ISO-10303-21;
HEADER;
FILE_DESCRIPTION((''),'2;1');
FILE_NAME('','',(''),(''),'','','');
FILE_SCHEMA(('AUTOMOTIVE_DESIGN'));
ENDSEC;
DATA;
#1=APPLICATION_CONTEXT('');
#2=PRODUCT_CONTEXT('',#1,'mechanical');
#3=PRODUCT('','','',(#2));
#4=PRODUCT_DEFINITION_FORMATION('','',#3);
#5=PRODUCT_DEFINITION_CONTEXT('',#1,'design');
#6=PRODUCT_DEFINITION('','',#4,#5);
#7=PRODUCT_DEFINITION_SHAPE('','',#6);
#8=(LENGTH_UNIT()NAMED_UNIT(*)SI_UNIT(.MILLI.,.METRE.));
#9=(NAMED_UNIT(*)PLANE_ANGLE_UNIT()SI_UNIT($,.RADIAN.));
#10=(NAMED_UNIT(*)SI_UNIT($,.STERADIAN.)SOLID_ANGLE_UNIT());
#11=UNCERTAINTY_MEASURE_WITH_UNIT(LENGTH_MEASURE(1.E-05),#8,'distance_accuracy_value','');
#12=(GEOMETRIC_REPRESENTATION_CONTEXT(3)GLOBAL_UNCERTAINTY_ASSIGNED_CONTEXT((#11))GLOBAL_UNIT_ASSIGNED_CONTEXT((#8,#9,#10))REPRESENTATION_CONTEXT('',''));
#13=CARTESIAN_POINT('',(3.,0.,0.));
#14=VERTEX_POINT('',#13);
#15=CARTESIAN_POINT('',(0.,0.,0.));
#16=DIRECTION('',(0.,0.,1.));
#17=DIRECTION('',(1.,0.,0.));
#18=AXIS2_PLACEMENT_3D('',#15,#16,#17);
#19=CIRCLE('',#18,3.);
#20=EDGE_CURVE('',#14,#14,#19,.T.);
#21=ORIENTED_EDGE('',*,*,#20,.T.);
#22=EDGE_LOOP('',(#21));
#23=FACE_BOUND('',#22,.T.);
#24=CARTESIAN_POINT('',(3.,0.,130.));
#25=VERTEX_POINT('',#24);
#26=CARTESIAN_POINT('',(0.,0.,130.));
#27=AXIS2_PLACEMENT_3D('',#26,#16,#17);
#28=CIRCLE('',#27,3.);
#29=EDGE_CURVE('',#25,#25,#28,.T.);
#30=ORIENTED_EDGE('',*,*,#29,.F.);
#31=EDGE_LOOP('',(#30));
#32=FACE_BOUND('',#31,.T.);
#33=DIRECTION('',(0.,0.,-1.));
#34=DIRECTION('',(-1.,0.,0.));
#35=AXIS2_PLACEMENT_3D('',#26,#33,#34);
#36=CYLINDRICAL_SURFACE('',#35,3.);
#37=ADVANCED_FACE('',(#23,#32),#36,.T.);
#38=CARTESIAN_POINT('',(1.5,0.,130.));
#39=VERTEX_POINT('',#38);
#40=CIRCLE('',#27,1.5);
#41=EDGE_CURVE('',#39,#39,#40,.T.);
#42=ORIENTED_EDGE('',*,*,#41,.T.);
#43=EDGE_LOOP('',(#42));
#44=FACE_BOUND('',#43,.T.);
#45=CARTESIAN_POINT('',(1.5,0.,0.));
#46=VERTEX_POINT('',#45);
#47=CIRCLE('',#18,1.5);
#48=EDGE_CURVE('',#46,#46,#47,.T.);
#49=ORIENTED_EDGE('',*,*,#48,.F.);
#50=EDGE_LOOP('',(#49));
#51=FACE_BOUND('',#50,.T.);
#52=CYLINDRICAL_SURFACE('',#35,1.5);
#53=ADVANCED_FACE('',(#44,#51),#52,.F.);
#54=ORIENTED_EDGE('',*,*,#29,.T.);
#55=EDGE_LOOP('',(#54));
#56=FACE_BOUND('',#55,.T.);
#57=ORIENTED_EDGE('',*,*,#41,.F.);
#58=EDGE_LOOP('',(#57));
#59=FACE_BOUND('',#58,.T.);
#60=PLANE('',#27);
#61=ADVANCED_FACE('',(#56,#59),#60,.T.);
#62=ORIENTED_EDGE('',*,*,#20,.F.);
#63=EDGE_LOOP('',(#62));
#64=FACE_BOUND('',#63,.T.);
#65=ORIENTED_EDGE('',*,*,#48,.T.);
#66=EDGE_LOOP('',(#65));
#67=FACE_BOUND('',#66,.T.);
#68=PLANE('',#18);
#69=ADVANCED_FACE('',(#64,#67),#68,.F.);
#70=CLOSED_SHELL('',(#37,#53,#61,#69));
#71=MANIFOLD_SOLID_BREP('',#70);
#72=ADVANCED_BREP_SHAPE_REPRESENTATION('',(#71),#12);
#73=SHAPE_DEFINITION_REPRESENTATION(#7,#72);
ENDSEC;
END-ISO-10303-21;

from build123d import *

# Parameters (mm, degrees)
SKETCH_1_R      = 3
SKETCH_1_R_2    = 1.5
EXTRUDE_1_DEPTH = 130


with BuildPart() as part:
    # 草图1 → 凸台-拉伸1 (new body)
    with BuildSketch(Plane.XY):
        Circle(SKETCH_1_R)
        Circle(SKETCH_1_R_2, mode=Mode.SUBTRACT)
    extrude(amount=EXTRUDE_1_DEPTH)


solid = part.part
